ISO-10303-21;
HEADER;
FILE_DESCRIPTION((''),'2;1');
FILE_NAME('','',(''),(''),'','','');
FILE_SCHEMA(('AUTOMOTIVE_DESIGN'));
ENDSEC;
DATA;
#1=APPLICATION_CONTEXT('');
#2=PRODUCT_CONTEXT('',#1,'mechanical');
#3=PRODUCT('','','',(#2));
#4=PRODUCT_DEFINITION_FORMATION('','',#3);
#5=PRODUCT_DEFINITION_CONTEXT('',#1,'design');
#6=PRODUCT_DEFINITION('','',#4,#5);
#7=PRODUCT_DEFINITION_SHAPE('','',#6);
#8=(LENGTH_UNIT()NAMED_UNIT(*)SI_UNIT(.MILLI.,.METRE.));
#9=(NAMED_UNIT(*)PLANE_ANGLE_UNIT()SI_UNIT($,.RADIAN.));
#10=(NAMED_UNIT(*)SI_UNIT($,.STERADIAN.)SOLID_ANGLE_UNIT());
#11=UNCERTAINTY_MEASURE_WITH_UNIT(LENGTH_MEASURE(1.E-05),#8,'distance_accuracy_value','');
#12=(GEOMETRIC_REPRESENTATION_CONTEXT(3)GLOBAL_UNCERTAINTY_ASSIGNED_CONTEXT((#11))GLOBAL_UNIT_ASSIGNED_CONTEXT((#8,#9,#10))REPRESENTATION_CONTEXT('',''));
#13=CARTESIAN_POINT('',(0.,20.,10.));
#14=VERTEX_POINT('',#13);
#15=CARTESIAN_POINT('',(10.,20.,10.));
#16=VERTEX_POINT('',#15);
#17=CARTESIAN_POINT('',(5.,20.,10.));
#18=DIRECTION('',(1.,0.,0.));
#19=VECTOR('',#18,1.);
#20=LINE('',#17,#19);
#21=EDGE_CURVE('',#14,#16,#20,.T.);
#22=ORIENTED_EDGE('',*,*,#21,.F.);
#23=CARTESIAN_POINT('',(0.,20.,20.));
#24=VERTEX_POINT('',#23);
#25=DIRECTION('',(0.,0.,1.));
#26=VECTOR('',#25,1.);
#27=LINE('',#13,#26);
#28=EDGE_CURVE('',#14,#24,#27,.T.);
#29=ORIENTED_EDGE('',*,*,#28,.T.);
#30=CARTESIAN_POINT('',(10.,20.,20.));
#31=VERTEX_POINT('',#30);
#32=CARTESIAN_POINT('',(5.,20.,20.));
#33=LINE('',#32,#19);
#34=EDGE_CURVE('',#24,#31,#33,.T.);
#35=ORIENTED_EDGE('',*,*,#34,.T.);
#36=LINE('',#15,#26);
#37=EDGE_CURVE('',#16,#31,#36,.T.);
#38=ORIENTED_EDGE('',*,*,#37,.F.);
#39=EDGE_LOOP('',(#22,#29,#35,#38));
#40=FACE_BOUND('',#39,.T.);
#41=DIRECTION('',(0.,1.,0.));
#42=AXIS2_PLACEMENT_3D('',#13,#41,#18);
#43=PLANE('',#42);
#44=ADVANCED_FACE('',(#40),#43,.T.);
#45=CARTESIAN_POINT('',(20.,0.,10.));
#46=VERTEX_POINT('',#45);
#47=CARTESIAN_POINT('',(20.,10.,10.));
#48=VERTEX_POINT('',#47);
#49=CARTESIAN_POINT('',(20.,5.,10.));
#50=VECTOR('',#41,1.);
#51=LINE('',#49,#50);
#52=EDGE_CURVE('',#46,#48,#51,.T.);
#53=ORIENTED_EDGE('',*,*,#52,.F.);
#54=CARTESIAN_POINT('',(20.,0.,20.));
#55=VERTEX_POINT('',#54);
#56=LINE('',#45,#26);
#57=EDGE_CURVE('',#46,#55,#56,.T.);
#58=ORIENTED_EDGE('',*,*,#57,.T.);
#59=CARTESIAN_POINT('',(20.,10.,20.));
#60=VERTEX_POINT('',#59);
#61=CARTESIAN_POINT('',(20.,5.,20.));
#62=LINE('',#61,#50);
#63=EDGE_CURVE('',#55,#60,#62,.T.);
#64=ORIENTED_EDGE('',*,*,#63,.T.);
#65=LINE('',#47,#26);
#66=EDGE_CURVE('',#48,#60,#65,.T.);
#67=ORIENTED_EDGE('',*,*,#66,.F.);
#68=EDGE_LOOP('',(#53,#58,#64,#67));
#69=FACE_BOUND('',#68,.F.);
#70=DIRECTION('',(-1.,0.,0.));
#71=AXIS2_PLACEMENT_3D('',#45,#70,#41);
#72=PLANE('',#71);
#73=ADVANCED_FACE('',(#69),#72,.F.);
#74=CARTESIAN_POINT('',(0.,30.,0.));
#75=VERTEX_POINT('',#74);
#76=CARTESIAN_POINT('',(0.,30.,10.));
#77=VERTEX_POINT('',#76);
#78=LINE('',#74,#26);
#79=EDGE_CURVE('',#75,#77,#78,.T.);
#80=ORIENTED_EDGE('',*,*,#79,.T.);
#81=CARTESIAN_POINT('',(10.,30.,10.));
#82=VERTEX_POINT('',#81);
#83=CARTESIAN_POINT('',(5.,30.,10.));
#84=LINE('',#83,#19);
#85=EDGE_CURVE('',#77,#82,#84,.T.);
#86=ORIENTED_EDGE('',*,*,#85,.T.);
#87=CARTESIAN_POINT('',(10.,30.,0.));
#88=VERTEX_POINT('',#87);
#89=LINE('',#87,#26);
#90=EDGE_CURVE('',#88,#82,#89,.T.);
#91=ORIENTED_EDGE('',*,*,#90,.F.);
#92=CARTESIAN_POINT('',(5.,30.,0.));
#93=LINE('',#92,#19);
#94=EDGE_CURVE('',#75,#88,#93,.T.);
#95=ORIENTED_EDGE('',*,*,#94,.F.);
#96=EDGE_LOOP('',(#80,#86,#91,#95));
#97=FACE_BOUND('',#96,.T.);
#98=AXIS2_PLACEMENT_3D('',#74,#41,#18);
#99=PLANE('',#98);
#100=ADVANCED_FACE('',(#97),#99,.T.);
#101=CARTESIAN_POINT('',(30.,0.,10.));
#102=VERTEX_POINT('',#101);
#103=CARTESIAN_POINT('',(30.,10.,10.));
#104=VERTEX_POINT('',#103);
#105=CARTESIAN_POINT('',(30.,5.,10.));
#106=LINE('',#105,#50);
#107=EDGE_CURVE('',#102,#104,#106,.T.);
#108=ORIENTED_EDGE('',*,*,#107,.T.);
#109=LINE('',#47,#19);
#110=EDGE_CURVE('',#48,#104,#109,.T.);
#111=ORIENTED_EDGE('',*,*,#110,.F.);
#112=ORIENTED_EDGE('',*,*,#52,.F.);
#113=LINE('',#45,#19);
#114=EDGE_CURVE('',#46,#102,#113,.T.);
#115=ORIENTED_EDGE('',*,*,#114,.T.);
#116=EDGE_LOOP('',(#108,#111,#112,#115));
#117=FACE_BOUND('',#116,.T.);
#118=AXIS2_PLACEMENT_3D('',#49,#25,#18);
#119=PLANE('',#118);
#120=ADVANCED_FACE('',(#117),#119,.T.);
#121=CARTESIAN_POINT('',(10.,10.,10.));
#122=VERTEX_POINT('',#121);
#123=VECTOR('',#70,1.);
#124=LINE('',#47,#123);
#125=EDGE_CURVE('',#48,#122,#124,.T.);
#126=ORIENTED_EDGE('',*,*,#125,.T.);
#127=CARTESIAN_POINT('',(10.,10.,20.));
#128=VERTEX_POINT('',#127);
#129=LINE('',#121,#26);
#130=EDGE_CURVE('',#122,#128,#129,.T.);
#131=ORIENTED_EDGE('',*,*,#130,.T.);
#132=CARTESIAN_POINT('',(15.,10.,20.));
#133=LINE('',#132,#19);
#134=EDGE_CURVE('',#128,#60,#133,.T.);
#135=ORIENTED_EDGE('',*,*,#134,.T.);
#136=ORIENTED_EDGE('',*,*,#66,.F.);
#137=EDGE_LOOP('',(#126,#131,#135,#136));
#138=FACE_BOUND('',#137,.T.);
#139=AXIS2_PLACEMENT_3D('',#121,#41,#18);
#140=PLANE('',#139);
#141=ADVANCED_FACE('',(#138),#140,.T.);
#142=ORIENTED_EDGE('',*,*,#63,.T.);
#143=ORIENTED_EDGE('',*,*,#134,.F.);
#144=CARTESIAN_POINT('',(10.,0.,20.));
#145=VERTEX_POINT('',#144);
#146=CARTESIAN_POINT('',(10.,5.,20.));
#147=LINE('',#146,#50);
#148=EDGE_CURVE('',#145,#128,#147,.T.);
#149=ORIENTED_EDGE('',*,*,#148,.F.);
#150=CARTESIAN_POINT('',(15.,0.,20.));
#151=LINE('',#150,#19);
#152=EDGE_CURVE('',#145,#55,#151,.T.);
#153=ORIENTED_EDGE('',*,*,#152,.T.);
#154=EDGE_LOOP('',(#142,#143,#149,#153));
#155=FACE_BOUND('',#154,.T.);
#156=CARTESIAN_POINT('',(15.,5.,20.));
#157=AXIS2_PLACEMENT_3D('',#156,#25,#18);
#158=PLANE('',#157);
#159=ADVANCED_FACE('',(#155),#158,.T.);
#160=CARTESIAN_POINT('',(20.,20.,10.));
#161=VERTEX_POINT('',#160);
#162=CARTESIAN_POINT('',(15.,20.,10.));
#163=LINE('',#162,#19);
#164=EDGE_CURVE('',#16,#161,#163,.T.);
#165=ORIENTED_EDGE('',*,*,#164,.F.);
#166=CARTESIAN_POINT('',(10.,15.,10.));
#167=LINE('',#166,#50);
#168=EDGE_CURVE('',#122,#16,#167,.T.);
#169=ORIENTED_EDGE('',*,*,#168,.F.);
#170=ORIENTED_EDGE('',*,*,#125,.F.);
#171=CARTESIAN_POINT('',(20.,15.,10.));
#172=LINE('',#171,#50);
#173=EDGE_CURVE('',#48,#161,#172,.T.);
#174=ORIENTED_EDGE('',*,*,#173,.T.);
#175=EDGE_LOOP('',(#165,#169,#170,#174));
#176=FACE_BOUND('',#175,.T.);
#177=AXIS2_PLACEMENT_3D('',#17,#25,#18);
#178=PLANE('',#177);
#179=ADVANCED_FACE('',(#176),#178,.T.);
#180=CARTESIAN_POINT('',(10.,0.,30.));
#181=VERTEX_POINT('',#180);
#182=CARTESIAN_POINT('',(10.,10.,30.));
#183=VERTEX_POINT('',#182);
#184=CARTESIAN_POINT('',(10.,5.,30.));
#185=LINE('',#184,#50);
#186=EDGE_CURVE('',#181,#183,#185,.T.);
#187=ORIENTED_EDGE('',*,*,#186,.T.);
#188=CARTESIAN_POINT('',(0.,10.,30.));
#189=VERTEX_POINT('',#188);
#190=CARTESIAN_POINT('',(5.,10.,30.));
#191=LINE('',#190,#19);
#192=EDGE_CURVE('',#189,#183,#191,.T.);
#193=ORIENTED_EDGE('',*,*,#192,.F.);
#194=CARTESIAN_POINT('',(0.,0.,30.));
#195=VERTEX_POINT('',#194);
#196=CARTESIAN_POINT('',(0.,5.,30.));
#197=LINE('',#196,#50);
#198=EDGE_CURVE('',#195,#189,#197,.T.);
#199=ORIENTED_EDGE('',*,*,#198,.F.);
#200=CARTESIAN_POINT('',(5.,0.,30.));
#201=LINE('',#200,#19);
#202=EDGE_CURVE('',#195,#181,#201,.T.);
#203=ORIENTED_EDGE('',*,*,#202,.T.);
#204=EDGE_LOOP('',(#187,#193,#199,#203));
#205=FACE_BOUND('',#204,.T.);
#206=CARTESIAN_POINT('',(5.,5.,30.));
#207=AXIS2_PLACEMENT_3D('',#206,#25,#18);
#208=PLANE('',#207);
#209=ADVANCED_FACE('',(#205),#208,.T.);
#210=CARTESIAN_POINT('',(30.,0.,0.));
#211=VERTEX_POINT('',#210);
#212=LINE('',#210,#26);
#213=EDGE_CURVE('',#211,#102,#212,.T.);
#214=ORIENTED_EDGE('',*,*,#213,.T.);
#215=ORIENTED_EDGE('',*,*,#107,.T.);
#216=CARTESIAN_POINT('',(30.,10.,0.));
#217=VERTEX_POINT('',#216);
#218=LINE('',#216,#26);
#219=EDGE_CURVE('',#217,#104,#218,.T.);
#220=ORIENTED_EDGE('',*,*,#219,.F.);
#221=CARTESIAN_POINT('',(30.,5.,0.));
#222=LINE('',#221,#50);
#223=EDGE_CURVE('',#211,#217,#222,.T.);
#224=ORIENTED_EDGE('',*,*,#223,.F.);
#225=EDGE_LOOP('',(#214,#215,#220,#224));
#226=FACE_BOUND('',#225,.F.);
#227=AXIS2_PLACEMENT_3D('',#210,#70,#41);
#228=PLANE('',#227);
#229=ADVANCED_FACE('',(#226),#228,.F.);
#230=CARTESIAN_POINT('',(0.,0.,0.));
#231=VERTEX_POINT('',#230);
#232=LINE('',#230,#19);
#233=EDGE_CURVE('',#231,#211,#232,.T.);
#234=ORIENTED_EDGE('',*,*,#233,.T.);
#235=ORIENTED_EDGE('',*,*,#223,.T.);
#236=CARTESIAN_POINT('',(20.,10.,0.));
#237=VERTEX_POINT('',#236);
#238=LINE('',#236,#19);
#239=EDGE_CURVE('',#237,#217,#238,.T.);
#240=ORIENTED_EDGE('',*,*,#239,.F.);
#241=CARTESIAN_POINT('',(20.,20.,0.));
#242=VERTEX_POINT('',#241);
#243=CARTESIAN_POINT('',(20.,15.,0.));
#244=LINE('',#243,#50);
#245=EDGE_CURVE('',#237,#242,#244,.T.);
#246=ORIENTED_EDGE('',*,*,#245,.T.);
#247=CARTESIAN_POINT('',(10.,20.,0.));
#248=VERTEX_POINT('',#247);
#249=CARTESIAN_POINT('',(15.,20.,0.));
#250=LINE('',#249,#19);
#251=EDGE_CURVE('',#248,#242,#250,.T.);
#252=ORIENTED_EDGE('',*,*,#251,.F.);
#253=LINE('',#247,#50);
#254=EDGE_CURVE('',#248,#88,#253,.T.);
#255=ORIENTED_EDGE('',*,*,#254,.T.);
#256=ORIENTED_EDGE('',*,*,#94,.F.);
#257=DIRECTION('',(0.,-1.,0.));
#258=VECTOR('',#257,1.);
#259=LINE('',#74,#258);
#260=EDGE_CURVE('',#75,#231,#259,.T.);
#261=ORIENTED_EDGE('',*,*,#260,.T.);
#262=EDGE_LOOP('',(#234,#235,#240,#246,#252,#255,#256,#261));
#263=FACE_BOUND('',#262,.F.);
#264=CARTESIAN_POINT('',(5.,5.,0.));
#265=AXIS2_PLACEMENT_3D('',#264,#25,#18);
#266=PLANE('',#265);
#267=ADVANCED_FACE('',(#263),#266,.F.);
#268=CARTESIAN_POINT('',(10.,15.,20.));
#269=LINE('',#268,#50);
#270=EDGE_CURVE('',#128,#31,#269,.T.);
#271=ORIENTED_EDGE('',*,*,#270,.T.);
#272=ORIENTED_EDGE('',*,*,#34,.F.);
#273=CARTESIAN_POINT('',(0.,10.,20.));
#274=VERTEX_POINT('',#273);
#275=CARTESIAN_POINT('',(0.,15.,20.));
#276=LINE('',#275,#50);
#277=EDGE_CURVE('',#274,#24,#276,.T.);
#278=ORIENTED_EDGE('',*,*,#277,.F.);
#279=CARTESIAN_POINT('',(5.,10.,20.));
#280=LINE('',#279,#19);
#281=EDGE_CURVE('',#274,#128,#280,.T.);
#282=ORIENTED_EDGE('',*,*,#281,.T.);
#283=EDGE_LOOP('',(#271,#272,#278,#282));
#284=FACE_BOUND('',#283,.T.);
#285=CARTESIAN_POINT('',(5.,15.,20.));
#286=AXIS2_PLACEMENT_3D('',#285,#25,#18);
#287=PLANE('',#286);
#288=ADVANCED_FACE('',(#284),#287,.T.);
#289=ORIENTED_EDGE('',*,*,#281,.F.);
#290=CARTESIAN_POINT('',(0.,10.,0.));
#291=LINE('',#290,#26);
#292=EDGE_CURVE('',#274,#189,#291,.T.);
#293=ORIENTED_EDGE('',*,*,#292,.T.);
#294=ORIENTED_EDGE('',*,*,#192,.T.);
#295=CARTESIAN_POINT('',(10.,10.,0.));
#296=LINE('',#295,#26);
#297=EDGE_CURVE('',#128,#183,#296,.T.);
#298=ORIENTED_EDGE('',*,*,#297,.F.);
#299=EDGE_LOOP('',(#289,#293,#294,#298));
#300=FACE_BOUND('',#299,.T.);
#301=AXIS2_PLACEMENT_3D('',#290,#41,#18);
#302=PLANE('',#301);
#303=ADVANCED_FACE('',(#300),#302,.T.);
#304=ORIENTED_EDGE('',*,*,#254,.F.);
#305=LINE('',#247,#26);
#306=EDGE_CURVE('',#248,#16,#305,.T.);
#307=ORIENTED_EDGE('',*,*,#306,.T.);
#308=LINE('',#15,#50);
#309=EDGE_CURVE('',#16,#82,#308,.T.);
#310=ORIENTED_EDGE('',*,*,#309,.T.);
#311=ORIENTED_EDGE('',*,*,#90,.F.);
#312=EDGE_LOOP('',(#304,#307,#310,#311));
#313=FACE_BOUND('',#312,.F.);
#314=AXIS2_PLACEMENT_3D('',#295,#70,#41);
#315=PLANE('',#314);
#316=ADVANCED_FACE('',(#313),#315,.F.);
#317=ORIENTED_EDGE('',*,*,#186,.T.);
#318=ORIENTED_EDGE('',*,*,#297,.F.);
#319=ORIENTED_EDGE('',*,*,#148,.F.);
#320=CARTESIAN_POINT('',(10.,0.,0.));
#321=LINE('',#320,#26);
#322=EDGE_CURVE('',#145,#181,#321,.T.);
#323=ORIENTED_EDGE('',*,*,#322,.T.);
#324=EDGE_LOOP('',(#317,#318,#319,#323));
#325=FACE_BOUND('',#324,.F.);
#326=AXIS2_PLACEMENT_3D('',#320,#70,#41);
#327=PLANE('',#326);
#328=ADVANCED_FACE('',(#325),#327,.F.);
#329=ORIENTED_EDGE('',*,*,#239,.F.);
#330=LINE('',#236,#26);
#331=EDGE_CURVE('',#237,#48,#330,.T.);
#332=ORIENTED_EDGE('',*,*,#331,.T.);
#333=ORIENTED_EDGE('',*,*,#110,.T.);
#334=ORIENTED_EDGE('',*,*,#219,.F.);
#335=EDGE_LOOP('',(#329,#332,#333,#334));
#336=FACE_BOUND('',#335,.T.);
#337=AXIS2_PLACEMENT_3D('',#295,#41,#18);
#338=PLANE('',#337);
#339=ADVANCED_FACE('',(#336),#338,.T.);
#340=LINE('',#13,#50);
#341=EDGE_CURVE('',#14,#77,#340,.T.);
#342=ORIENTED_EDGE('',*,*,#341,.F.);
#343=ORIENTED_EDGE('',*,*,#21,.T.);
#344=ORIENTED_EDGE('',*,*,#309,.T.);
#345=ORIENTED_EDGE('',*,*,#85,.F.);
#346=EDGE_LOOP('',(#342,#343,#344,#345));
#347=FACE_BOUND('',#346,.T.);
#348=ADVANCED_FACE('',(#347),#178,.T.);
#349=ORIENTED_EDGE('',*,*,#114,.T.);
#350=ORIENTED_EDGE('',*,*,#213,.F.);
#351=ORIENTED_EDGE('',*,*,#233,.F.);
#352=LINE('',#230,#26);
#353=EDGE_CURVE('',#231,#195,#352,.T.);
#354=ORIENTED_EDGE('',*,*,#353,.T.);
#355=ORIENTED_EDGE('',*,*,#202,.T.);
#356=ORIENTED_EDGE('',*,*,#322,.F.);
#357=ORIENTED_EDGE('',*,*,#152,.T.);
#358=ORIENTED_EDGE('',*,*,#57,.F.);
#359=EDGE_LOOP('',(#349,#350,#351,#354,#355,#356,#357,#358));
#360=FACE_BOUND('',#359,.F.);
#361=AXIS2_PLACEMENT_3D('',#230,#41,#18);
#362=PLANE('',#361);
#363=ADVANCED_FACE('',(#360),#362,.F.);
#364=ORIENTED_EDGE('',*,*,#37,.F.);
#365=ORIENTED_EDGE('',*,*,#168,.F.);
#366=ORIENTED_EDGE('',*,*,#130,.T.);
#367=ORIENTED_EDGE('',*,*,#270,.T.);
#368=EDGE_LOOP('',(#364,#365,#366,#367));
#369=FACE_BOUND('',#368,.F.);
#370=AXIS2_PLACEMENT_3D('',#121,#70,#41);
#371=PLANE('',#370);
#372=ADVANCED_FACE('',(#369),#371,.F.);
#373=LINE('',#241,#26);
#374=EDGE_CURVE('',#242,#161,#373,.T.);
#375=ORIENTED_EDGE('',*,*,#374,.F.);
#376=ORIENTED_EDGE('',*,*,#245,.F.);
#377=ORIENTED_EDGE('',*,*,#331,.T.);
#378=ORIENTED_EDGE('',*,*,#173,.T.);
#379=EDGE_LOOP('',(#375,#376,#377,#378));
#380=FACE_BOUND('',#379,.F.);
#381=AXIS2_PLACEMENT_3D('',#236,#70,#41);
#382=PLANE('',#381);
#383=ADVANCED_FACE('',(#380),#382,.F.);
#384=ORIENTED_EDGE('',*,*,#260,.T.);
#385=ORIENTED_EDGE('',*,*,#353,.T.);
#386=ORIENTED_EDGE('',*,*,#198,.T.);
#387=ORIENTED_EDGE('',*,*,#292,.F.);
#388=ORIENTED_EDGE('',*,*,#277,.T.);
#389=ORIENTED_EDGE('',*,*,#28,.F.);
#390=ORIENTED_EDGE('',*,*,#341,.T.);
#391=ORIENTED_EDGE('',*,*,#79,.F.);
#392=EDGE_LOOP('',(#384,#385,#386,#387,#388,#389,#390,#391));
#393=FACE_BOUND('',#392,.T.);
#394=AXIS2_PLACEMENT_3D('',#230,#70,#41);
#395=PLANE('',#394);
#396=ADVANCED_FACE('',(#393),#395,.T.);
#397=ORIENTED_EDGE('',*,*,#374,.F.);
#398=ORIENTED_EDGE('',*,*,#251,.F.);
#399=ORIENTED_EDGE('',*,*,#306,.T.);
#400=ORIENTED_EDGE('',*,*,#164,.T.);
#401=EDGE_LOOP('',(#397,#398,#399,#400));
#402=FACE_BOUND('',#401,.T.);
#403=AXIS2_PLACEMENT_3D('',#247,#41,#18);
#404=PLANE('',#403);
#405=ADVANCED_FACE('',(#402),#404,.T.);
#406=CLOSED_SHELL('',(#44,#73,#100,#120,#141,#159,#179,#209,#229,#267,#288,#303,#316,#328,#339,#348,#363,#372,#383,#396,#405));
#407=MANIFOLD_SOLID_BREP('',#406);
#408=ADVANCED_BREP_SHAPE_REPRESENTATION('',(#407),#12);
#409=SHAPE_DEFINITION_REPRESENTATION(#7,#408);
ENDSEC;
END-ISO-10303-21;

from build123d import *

# Parameters (mm, degrees)
BOX004_W     = 10
BOX004_H     = 20
BOX004_DEPTH = 10
BOX003_W     = 10
BOX003_H     = 10
BOX003_DEPTH = 10
BOX002_W     = 10
BOX002_H     = 10
BOX002_DEPTH = 10
BOX001_W     = 20
BOX001_H     = 10
BOX001_DEPTH = 10
BOX_W        = 10
BOX_H        = 10
BOX_DEPTH    = 30
BOX005_W     = 10
BOX005_H     = 10
BOX005_DEPTH = 10


with BuildPart() as cub004:
    # Box004 → Box004 (new body)
    with BuildSketch(Plane(origin=(0, 10, 0), x_dir=(1, 0, 0), z_dir=(0, 0, 1))):
        with Locations((5, 10)):
            Rectangle(BOX004_W, BOX004_H)
    extrude(amount=BOX004_DEPTH)


with BuildPart() as cub003:
    # Box003 → Box003 (new body)
    with BuildSketch(Plane(origin=(0, 10, 10), x_dir=(1, 0, 0), z_dir=(0, 0, 1))):
        with Locations((5, 5)):
            Rectangle(BOX003_W, BOX003_H)
    extrude(amount=BOX003_DEPTH)


with BuildPart() as cub002:
    # Box002 → Box002 (new body)
    with BuildSketch(Plane(origin=(10, 0, 10), x_dir=(1, 0, 0), z_dir=(0, 0, 1))):
        with Locations((5, 5)):
            Rectangle(BOX002_W, BOX002_H)
    extrude(amount=BOX002_DEPTH)


with BuildPart() as cub001:
    # Box001 → Box001 (new body)
    with BuildSketch(Plane(origin=(10, 0, 0), x_dir=(1, 0, 0), z_dir=(0, 0, 1))):
        with Locations((10, 5)):
            Rectangle(BOX001_W, BOX001_H)
    extrude(amount=BOX001_DEPTH)


with BuildPart() as cub:
    # Box → Box (new body)
    with BuildSketch(Plane.XY):
        with Locations((5, 5)):
            Rectangle(BOX_W, BOX_H)
    extrude(amount=BOX_DEPTH)


with BuildPart() as fusion:
    # Box005 → Box005 (new body)
    with BuildSketch(Plane(origin=(10, 10, 0), x_dir=(1, 0, 0), z_dir=(0, 0, 1))):
        with Locations((5, 5)):
            Rectangle(BOX005_W, BOX005_H)
    extrude(amount=BOX005_DEPTH)

    # Fusion: union Cub004, Cub003, Cub002, Cub001, Cub
    add(cub004.part)
    add(cub003.part)
    add(cub002.part)
    add(cub001.part)
    add(cub.part)


solid = fusion.part
